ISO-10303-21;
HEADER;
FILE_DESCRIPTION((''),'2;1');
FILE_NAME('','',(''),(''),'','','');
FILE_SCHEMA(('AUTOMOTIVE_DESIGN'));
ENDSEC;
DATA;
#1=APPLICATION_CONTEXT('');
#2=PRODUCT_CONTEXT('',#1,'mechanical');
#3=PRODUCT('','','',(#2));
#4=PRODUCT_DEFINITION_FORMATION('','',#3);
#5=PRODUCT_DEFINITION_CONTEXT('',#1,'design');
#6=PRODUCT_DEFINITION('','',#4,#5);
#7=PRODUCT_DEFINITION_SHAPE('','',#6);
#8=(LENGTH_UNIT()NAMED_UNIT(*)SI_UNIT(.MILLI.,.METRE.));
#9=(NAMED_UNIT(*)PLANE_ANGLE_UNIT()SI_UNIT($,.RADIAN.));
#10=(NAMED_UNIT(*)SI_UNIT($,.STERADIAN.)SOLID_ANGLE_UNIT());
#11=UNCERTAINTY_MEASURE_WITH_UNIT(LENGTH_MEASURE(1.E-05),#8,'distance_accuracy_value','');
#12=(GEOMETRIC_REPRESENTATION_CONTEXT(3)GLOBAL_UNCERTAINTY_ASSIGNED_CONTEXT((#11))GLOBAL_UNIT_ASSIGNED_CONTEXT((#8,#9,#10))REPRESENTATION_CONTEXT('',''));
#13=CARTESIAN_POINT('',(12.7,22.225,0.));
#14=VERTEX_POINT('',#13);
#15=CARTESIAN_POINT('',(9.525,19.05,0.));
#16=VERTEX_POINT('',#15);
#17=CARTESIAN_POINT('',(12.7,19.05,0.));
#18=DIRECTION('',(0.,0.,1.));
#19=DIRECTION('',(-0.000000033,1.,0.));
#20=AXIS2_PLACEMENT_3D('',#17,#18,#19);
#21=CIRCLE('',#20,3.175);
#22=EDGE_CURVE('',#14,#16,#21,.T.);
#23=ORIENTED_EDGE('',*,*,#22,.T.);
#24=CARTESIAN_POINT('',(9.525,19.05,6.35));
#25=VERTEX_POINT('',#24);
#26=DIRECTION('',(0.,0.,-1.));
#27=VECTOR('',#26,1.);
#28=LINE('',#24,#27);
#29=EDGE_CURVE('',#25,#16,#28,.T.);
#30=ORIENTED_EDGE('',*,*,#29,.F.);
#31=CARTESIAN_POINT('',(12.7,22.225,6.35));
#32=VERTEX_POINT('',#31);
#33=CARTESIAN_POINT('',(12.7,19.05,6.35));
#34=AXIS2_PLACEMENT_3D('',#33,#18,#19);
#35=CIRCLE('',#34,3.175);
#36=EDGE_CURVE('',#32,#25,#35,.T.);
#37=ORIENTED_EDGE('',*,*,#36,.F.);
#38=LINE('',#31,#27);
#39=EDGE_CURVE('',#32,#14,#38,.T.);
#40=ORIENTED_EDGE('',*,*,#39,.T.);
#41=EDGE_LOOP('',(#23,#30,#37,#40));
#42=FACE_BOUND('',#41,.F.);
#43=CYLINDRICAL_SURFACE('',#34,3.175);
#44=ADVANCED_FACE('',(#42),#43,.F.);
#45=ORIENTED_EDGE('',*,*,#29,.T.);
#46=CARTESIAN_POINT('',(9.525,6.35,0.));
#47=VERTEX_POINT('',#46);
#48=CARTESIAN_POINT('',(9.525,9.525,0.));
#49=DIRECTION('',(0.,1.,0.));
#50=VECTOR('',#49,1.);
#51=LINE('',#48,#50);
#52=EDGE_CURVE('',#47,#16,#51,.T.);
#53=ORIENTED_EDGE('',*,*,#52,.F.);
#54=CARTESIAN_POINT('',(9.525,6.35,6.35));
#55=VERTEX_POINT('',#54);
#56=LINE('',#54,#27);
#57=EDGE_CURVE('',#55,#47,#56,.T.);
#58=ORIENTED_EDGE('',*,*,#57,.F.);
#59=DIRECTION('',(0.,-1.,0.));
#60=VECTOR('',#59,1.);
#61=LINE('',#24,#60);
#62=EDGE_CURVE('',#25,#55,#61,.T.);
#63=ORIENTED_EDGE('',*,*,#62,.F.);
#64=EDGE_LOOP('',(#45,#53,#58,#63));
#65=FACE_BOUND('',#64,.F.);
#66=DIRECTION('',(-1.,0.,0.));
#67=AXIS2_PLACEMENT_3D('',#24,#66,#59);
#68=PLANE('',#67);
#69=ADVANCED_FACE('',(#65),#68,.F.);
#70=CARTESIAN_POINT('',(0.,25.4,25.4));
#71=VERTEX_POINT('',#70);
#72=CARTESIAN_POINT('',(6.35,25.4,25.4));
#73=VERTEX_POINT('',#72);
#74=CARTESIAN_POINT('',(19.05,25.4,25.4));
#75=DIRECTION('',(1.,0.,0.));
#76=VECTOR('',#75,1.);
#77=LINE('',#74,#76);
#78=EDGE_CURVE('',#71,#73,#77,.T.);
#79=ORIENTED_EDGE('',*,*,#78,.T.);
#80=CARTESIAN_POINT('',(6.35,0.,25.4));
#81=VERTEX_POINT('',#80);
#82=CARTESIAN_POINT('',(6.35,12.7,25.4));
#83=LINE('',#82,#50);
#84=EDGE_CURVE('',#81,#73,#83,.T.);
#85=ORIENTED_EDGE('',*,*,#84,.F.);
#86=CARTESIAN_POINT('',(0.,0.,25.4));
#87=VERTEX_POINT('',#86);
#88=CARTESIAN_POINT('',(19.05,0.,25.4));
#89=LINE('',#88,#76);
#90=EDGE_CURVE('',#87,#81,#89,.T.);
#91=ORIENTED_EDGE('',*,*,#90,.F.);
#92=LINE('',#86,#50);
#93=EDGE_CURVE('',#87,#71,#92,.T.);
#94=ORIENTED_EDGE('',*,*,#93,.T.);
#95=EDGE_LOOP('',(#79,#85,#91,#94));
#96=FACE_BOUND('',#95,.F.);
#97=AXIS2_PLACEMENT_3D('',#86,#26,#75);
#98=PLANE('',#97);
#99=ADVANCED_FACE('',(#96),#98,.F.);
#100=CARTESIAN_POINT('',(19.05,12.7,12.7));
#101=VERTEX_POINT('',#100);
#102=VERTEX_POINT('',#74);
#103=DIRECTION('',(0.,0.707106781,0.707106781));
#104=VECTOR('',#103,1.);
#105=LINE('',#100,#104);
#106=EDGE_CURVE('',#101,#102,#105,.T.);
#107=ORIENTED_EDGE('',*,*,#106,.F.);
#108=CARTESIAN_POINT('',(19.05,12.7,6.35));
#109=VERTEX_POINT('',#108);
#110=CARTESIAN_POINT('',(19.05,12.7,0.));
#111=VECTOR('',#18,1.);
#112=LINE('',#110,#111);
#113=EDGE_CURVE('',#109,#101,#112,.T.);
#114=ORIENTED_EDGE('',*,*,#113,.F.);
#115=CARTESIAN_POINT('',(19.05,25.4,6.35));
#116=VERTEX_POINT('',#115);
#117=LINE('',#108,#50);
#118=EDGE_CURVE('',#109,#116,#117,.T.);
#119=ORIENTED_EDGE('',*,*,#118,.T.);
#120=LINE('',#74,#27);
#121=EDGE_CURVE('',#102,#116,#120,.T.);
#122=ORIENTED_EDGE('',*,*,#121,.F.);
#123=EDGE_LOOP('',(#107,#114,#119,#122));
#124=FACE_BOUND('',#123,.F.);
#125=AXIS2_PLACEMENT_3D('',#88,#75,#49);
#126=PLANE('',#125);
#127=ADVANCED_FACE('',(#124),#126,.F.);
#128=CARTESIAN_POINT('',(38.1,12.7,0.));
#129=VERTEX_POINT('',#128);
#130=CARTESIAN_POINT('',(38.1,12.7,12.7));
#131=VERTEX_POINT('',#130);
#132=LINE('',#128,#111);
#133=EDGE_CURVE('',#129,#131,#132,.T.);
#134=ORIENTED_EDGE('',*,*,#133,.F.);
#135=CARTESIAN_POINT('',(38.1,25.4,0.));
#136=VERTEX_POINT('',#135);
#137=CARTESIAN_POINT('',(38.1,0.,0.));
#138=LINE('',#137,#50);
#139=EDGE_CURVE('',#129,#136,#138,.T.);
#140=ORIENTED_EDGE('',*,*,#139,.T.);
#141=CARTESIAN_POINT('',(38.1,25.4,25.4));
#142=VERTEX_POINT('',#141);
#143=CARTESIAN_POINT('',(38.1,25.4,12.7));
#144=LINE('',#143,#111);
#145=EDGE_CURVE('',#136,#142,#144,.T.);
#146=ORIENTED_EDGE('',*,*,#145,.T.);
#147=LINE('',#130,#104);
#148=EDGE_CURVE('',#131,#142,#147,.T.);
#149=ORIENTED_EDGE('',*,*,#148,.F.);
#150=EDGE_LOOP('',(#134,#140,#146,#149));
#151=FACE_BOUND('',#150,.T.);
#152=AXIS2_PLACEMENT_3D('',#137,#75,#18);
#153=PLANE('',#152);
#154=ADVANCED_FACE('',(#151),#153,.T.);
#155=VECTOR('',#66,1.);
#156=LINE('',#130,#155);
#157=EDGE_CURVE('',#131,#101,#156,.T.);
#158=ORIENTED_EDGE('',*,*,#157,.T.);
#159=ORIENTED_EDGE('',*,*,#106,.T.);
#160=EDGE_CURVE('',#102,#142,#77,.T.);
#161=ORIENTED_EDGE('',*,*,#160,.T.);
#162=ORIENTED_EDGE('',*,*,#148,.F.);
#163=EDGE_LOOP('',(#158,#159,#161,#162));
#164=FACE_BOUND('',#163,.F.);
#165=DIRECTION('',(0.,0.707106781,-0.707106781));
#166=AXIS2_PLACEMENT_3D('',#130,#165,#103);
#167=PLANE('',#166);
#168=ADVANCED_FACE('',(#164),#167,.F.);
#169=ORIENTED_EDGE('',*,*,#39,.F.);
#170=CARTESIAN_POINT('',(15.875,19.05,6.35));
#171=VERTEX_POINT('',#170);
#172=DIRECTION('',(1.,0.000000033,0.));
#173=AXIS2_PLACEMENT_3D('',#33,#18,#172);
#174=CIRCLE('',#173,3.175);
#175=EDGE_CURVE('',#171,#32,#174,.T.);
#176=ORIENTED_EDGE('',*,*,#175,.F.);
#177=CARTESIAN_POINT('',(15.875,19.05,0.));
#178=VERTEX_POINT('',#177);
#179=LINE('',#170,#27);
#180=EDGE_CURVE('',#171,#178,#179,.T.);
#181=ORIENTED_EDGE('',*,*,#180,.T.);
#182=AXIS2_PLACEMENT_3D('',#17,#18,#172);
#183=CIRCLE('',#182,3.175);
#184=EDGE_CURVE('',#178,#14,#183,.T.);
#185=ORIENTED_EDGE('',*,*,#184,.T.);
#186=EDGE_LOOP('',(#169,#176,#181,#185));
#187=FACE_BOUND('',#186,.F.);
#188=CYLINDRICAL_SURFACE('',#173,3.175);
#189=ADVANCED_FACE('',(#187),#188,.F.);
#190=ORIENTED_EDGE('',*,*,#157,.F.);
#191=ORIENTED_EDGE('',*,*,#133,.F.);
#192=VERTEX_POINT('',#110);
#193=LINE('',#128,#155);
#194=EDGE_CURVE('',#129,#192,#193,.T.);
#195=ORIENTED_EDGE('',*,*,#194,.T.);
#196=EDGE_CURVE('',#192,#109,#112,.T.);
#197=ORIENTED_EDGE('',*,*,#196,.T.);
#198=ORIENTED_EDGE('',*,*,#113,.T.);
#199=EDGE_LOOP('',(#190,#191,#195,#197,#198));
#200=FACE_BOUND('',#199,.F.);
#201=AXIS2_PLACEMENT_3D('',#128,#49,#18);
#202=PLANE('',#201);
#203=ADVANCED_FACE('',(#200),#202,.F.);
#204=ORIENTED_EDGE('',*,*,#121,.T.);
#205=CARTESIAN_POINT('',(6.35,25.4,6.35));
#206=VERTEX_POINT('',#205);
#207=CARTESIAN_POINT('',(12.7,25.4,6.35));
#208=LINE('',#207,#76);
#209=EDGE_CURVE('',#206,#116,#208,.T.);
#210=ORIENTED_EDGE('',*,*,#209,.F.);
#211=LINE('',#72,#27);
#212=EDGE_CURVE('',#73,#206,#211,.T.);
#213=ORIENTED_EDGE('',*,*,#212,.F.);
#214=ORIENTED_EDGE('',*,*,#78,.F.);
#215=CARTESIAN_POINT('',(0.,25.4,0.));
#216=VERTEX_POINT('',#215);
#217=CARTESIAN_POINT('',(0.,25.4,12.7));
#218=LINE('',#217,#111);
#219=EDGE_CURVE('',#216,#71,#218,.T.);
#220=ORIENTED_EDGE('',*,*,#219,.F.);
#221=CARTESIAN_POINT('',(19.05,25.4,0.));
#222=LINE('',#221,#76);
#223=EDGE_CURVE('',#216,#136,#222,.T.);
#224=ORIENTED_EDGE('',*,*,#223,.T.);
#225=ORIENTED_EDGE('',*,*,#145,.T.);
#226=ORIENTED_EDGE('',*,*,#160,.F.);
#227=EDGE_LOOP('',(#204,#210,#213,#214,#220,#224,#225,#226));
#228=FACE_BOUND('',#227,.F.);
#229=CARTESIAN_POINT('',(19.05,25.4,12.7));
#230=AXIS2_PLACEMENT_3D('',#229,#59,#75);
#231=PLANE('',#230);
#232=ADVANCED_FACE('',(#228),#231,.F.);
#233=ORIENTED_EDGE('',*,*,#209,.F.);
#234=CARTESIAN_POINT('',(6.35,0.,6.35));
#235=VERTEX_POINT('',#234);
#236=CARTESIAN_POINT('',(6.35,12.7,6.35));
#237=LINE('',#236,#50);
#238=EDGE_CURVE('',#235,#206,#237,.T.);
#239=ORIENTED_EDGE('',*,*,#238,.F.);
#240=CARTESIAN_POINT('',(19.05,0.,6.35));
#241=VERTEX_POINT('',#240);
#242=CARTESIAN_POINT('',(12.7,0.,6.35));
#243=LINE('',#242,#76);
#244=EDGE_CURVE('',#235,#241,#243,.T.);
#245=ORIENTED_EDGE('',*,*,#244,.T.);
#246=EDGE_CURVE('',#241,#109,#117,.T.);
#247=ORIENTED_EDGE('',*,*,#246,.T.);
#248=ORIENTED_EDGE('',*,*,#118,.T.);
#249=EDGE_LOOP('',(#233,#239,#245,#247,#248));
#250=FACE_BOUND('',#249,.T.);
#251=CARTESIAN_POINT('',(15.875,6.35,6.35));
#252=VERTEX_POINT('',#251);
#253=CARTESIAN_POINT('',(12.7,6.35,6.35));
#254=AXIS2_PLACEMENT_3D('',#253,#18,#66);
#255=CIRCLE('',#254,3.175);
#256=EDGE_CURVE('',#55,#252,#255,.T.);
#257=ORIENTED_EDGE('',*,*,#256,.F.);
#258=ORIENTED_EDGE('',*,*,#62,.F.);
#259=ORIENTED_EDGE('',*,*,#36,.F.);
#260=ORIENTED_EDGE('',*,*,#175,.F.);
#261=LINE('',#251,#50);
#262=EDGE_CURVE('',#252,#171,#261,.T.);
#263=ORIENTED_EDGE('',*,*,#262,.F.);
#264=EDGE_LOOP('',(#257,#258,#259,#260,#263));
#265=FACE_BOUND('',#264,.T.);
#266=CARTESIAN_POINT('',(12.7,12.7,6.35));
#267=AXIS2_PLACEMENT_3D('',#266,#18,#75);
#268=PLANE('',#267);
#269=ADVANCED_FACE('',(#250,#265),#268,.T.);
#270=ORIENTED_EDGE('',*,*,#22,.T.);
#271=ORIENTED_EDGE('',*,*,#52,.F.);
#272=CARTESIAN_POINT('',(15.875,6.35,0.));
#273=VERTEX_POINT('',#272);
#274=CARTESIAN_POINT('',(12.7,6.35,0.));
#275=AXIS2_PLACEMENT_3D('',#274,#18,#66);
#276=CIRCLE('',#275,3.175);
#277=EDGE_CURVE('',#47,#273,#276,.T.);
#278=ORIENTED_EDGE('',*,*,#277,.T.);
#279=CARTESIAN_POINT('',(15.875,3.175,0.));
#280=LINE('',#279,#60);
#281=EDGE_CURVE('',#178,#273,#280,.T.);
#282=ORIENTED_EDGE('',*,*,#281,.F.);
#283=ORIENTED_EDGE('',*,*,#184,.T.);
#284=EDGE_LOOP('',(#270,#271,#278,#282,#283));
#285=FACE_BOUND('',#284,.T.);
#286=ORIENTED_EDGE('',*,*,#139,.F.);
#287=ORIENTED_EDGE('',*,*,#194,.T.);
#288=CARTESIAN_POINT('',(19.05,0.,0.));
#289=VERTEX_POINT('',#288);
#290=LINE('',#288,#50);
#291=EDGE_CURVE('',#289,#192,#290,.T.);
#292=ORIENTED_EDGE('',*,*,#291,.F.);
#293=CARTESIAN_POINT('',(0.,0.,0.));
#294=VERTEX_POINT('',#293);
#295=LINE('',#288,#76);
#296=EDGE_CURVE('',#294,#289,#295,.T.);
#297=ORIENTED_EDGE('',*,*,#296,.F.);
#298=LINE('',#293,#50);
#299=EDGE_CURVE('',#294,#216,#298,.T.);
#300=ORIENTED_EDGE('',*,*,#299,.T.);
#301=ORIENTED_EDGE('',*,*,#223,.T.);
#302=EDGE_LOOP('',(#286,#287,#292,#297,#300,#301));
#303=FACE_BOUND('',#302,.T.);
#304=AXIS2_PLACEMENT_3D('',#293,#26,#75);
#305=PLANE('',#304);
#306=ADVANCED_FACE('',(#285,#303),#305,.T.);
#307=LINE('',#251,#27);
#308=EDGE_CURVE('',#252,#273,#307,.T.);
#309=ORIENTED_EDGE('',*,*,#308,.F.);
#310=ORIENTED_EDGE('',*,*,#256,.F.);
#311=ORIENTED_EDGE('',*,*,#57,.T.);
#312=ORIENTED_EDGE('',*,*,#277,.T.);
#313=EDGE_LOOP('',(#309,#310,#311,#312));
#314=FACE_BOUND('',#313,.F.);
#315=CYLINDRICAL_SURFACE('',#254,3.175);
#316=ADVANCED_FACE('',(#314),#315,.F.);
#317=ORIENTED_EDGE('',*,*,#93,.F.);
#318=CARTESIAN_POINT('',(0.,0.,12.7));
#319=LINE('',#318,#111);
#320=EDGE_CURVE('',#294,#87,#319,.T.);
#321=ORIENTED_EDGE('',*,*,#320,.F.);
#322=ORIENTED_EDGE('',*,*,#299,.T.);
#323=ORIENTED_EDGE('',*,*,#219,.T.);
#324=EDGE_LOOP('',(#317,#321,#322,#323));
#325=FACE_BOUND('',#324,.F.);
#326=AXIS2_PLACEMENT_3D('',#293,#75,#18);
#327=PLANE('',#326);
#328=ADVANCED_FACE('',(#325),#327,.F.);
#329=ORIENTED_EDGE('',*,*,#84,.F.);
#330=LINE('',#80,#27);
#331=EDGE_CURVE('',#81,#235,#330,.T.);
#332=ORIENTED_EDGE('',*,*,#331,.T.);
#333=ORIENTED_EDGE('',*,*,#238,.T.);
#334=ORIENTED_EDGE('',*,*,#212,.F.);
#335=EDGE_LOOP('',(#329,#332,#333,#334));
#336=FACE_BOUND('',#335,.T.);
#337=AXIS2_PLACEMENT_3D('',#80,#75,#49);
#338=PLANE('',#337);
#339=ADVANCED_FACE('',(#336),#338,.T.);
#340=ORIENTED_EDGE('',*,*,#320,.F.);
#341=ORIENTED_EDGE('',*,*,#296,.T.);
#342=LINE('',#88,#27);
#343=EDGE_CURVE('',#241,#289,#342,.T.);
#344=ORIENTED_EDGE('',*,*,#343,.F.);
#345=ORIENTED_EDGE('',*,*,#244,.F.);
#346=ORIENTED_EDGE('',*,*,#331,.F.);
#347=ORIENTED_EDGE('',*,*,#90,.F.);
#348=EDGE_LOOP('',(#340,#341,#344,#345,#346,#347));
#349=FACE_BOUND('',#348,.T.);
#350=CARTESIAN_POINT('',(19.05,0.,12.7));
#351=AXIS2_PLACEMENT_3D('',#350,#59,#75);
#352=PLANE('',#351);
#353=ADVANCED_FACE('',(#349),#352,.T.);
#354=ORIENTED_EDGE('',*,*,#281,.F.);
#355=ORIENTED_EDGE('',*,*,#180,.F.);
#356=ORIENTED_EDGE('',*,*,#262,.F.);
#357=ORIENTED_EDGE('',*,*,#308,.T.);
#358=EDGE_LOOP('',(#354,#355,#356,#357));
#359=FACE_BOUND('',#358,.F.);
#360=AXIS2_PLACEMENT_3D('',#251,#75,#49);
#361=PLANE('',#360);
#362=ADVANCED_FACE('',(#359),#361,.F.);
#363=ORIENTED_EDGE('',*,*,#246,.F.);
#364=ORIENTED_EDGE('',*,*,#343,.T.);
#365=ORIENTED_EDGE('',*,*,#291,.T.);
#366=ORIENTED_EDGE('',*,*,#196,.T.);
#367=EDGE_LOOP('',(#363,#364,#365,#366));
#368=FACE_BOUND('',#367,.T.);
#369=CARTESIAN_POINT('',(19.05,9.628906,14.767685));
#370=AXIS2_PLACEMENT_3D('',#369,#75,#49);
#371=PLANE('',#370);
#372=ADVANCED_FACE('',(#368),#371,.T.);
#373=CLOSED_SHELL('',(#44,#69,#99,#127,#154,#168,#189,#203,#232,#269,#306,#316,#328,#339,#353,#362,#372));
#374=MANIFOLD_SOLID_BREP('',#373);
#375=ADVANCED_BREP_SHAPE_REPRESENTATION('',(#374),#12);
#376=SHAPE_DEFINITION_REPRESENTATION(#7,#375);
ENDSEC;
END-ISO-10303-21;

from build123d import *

# Parameters (mm, degrees)
F0_W     = 38.1
F0_H     = 25.4
F1_DEPTH = 25.4
F2_W     = 12.7
F2_H     = 25.4
F3_DEPTH = 19.05
F5_DEPTH = 25.4
F7_DEPTH = 19.05


with BuildPart() as f1:
    # F0 (on Front) → F1 (new body)
    with BuildSketch(Plane.XZ):
        with Locations((19.05, 12.7)):
            Rectangle(F0_W, F0_H)
    extrude(amount=-F1_DEPTH)

    # F2 (on face) → F3 (cut)
    with BuildSketch(Plane.XY.offset(25.4)):
        with Locations((12.7, 12.7)):
            Rectangle(F2_W, F2_H)
    extrude(amount=-F3_DEPTH, mode=Mode.SUBTRACT)

    # F4 (on face) → F5 (cut)
    with BuildSketch(Plane.XY.offset(6.35)):
        with BuildLine():
            ThreePointArc((15.875, 19.05), (14.945064, 21.295064), (12.7, 22.225))
            ThreePointArc((12.7, 22.225), (10.454936, 21.295064), (9.525, 19.05))
            Line((9.525, 19.05), (9.525, 6.35))
            ThreePointArc((9.525, 6.35), (12.7, 3.175), (15.875, 6.35))
            Line((15.875, 6.35), (15.875, 19.05))
        make_face()
    extrude(amount=-F5_DEPTH, mode=Mode.SUBTRACT)

    # F6 (on face) → F7 (cut)
    with BuildSketch(Plane.YZ.offset(38.1)):
        Polygon((0, 25.4), (0, 0), (12.7, 0), (12.7, 12.7), (25.4, 25.4), align=None)
    extrude(amount=-F7_DEPTH, mode=Mode.SUBTRACT)


solid = f1.part
